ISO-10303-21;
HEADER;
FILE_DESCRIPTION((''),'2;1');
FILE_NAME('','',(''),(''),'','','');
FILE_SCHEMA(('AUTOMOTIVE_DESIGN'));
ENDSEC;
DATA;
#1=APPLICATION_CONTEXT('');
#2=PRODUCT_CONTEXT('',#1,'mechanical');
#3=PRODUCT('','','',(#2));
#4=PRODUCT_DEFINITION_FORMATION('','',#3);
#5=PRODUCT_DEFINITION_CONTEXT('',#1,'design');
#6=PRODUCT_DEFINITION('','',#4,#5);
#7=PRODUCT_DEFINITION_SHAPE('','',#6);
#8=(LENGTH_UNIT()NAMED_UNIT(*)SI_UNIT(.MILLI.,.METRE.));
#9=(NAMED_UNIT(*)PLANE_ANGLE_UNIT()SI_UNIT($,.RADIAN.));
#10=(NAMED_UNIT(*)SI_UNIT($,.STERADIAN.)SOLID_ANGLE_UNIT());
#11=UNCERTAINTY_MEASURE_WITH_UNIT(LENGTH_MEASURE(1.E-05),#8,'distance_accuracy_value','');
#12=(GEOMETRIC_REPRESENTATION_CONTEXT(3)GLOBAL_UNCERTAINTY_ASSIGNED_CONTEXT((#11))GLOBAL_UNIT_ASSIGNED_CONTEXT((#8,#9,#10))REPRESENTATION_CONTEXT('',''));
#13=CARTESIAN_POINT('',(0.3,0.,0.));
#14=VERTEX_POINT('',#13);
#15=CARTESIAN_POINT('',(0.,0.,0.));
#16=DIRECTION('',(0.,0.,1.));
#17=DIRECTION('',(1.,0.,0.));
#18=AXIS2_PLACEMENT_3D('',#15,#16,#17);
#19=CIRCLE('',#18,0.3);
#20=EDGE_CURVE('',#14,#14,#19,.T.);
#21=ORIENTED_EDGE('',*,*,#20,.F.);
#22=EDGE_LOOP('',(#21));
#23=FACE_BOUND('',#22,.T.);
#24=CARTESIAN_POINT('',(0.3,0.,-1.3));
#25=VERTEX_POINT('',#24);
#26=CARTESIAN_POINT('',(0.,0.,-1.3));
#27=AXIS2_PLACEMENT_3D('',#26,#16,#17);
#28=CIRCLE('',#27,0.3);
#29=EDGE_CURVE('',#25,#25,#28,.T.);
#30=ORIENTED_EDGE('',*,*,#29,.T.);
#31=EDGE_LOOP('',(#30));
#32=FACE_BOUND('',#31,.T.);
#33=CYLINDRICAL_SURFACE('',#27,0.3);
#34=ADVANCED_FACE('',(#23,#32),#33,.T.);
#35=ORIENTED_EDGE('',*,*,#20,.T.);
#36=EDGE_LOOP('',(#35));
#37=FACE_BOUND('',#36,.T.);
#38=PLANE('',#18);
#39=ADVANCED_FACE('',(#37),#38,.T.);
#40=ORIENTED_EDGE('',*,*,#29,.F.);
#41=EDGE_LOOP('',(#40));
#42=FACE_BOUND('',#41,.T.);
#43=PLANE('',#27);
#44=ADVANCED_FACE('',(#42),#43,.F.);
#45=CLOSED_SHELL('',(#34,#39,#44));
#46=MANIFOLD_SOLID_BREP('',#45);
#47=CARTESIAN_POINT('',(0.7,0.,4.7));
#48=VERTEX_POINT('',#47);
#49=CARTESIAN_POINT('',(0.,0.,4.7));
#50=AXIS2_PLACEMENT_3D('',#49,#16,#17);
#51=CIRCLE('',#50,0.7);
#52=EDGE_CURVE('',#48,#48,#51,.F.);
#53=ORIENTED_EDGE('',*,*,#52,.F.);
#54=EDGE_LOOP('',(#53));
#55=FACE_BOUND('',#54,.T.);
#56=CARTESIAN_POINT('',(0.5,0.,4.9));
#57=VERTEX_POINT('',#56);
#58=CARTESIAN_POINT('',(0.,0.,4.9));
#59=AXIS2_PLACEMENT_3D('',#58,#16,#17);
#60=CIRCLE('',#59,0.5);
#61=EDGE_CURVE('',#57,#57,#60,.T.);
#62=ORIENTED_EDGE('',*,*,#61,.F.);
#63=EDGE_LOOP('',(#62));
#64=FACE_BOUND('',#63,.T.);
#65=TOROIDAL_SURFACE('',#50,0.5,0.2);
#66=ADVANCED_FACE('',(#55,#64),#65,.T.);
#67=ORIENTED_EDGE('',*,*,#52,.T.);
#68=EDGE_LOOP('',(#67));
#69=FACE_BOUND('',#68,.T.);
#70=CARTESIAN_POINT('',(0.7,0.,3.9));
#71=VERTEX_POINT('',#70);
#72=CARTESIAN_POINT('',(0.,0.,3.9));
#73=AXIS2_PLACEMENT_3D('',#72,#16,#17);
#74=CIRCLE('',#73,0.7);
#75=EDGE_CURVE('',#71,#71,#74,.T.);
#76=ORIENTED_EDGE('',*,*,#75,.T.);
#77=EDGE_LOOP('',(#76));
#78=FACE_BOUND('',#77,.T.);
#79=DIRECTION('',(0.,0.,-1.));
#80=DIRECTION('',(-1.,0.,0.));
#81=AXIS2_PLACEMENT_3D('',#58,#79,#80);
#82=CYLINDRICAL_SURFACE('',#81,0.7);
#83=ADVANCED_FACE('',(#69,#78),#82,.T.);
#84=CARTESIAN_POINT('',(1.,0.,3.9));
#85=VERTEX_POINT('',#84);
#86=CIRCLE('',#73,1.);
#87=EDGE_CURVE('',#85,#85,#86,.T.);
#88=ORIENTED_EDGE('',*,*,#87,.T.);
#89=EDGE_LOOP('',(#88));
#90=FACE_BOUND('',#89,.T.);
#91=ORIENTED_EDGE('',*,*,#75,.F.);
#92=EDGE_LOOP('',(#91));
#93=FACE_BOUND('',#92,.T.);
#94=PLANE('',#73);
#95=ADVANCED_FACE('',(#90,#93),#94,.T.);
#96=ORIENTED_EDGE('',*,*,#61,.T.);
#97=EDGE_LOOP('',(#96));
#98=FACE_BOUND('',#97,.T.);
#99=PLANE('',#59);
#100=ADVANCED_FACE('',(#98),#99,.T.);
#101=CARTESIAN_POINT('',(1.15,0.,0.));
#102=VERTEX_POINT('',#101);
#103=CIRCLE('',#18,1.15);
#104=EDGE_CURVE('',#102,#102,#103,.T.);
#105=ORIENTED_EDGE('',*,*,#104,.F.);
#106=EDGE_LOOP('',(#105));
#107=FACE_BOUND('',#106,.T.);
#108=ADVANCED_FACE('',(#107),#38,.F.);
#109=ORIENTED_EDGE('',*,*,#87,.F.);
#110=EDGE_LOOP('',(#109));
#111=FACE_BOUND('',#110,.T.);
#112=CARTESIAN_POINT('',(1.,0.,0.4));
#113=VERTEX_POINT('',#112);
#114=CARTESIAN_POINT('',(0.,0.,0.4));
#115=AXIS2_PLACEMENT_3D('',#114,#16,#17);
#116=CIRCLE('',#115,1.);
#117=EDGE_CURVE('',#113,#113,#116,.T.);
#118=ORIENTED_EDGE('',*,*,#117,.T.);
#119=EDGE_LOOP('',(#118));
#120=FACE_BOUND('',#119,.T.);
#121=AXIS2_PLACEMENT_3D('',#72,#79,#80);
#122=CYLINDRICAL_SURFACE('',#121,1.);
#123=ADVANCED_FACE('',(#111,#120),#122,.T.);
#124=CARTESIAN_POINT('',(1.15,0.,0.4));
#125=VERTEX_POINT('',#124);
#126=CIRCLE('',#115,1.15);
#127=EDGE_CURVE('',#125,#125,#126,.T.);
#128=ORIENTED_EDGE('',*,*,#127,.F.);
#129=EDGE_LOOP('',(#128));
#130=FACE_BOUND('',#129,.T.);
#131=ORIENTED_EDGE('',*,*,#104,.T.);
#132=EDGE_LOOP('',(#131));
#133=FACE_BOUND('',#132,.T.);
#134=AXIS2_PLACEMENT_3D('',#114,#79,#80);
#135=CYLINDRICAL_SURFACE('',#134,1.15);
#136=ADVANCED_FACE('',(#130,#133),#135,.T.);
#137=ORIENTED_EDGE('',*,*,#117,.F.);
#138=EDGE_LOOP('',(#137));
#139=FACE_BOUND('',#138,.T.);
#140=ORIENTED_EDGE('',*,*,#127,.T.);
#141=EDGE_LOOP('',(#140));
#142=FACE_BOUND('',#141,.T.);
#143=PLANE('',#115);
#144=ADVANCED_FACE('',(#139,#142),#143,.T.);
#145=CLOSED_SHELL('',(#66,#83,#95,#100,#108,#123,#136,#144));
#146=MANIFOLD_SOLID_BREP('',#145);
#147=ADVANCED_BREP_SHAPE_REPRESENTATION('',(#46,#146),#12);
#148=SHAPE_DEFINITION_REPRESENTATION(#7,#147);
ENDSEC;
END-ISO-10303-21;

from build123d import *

# Parameters (mm, degrees)
SKETCH_1_R      = 1
SKETCH_1_R_2    = 0.3
EXTRUDE_1_DEPTH = 3.9
SKETCH_1_3_R    = 1.15
SKETCH_1_3_R_2  = 1
EXTRUDE_2_DEPTH = 0.4
SKETCH_1_4_R    = 0.3
EXTRUDE_3_DEPTH = 1.3
SKETCH_2_R      = 0.7
EXTRUDE_4_DEPTH = 1
FILLET_1_R      = 0.2


with BuildPart() as part:
    # Sketch 1 → Extrude 1 (new body)
    with BuildSketch(Plane.XY):
        Circle(SKETCH_1_R)
        Circle(SKETCH_1_R_2, mode=Mode.SUBTRACT)
        Circle(SKETCH_1_R_2)
    extrude(amount=EXTRUDE_1_DEPTH)

    # Sketch 1_3 → Extrude 2 (add)
    with BuildSketch(Plane.XY):
        Circle(SKETCH_1_3_R)
        Circle(SKETCH_1_3_R_2, mode=Mode.SUBTRACT)
    extrude(amount=EXTRUDE_2_DEPTH)

    # Sketch 2 → Extrude 4 (add)
    with BuildSketch(Plane.XY.offset(3.9)):
        Circle(SKETCH_2_R)
    extrude(amount=EXTRUDE_4_DEPTH)

    # Fillet 1
    fillet_1_edges = [part.edges().sort_by_distance(p)[0] for p in [
        (-0.7, 0, 4.9),
    ]]
    fillet(fillet_1_edges, radius=FILLET_1_R)


with BuildPart() as body_2:
    # Sketch 1_4 → Extrude 3 (new body)
    with BuildSketch(Plane.XY):
        Circle(SKETCH_1_4_R)
    extrude(amount=-EXTRUDE_3_DEPTH)


solid = Compound([part.part, body_2.part])
